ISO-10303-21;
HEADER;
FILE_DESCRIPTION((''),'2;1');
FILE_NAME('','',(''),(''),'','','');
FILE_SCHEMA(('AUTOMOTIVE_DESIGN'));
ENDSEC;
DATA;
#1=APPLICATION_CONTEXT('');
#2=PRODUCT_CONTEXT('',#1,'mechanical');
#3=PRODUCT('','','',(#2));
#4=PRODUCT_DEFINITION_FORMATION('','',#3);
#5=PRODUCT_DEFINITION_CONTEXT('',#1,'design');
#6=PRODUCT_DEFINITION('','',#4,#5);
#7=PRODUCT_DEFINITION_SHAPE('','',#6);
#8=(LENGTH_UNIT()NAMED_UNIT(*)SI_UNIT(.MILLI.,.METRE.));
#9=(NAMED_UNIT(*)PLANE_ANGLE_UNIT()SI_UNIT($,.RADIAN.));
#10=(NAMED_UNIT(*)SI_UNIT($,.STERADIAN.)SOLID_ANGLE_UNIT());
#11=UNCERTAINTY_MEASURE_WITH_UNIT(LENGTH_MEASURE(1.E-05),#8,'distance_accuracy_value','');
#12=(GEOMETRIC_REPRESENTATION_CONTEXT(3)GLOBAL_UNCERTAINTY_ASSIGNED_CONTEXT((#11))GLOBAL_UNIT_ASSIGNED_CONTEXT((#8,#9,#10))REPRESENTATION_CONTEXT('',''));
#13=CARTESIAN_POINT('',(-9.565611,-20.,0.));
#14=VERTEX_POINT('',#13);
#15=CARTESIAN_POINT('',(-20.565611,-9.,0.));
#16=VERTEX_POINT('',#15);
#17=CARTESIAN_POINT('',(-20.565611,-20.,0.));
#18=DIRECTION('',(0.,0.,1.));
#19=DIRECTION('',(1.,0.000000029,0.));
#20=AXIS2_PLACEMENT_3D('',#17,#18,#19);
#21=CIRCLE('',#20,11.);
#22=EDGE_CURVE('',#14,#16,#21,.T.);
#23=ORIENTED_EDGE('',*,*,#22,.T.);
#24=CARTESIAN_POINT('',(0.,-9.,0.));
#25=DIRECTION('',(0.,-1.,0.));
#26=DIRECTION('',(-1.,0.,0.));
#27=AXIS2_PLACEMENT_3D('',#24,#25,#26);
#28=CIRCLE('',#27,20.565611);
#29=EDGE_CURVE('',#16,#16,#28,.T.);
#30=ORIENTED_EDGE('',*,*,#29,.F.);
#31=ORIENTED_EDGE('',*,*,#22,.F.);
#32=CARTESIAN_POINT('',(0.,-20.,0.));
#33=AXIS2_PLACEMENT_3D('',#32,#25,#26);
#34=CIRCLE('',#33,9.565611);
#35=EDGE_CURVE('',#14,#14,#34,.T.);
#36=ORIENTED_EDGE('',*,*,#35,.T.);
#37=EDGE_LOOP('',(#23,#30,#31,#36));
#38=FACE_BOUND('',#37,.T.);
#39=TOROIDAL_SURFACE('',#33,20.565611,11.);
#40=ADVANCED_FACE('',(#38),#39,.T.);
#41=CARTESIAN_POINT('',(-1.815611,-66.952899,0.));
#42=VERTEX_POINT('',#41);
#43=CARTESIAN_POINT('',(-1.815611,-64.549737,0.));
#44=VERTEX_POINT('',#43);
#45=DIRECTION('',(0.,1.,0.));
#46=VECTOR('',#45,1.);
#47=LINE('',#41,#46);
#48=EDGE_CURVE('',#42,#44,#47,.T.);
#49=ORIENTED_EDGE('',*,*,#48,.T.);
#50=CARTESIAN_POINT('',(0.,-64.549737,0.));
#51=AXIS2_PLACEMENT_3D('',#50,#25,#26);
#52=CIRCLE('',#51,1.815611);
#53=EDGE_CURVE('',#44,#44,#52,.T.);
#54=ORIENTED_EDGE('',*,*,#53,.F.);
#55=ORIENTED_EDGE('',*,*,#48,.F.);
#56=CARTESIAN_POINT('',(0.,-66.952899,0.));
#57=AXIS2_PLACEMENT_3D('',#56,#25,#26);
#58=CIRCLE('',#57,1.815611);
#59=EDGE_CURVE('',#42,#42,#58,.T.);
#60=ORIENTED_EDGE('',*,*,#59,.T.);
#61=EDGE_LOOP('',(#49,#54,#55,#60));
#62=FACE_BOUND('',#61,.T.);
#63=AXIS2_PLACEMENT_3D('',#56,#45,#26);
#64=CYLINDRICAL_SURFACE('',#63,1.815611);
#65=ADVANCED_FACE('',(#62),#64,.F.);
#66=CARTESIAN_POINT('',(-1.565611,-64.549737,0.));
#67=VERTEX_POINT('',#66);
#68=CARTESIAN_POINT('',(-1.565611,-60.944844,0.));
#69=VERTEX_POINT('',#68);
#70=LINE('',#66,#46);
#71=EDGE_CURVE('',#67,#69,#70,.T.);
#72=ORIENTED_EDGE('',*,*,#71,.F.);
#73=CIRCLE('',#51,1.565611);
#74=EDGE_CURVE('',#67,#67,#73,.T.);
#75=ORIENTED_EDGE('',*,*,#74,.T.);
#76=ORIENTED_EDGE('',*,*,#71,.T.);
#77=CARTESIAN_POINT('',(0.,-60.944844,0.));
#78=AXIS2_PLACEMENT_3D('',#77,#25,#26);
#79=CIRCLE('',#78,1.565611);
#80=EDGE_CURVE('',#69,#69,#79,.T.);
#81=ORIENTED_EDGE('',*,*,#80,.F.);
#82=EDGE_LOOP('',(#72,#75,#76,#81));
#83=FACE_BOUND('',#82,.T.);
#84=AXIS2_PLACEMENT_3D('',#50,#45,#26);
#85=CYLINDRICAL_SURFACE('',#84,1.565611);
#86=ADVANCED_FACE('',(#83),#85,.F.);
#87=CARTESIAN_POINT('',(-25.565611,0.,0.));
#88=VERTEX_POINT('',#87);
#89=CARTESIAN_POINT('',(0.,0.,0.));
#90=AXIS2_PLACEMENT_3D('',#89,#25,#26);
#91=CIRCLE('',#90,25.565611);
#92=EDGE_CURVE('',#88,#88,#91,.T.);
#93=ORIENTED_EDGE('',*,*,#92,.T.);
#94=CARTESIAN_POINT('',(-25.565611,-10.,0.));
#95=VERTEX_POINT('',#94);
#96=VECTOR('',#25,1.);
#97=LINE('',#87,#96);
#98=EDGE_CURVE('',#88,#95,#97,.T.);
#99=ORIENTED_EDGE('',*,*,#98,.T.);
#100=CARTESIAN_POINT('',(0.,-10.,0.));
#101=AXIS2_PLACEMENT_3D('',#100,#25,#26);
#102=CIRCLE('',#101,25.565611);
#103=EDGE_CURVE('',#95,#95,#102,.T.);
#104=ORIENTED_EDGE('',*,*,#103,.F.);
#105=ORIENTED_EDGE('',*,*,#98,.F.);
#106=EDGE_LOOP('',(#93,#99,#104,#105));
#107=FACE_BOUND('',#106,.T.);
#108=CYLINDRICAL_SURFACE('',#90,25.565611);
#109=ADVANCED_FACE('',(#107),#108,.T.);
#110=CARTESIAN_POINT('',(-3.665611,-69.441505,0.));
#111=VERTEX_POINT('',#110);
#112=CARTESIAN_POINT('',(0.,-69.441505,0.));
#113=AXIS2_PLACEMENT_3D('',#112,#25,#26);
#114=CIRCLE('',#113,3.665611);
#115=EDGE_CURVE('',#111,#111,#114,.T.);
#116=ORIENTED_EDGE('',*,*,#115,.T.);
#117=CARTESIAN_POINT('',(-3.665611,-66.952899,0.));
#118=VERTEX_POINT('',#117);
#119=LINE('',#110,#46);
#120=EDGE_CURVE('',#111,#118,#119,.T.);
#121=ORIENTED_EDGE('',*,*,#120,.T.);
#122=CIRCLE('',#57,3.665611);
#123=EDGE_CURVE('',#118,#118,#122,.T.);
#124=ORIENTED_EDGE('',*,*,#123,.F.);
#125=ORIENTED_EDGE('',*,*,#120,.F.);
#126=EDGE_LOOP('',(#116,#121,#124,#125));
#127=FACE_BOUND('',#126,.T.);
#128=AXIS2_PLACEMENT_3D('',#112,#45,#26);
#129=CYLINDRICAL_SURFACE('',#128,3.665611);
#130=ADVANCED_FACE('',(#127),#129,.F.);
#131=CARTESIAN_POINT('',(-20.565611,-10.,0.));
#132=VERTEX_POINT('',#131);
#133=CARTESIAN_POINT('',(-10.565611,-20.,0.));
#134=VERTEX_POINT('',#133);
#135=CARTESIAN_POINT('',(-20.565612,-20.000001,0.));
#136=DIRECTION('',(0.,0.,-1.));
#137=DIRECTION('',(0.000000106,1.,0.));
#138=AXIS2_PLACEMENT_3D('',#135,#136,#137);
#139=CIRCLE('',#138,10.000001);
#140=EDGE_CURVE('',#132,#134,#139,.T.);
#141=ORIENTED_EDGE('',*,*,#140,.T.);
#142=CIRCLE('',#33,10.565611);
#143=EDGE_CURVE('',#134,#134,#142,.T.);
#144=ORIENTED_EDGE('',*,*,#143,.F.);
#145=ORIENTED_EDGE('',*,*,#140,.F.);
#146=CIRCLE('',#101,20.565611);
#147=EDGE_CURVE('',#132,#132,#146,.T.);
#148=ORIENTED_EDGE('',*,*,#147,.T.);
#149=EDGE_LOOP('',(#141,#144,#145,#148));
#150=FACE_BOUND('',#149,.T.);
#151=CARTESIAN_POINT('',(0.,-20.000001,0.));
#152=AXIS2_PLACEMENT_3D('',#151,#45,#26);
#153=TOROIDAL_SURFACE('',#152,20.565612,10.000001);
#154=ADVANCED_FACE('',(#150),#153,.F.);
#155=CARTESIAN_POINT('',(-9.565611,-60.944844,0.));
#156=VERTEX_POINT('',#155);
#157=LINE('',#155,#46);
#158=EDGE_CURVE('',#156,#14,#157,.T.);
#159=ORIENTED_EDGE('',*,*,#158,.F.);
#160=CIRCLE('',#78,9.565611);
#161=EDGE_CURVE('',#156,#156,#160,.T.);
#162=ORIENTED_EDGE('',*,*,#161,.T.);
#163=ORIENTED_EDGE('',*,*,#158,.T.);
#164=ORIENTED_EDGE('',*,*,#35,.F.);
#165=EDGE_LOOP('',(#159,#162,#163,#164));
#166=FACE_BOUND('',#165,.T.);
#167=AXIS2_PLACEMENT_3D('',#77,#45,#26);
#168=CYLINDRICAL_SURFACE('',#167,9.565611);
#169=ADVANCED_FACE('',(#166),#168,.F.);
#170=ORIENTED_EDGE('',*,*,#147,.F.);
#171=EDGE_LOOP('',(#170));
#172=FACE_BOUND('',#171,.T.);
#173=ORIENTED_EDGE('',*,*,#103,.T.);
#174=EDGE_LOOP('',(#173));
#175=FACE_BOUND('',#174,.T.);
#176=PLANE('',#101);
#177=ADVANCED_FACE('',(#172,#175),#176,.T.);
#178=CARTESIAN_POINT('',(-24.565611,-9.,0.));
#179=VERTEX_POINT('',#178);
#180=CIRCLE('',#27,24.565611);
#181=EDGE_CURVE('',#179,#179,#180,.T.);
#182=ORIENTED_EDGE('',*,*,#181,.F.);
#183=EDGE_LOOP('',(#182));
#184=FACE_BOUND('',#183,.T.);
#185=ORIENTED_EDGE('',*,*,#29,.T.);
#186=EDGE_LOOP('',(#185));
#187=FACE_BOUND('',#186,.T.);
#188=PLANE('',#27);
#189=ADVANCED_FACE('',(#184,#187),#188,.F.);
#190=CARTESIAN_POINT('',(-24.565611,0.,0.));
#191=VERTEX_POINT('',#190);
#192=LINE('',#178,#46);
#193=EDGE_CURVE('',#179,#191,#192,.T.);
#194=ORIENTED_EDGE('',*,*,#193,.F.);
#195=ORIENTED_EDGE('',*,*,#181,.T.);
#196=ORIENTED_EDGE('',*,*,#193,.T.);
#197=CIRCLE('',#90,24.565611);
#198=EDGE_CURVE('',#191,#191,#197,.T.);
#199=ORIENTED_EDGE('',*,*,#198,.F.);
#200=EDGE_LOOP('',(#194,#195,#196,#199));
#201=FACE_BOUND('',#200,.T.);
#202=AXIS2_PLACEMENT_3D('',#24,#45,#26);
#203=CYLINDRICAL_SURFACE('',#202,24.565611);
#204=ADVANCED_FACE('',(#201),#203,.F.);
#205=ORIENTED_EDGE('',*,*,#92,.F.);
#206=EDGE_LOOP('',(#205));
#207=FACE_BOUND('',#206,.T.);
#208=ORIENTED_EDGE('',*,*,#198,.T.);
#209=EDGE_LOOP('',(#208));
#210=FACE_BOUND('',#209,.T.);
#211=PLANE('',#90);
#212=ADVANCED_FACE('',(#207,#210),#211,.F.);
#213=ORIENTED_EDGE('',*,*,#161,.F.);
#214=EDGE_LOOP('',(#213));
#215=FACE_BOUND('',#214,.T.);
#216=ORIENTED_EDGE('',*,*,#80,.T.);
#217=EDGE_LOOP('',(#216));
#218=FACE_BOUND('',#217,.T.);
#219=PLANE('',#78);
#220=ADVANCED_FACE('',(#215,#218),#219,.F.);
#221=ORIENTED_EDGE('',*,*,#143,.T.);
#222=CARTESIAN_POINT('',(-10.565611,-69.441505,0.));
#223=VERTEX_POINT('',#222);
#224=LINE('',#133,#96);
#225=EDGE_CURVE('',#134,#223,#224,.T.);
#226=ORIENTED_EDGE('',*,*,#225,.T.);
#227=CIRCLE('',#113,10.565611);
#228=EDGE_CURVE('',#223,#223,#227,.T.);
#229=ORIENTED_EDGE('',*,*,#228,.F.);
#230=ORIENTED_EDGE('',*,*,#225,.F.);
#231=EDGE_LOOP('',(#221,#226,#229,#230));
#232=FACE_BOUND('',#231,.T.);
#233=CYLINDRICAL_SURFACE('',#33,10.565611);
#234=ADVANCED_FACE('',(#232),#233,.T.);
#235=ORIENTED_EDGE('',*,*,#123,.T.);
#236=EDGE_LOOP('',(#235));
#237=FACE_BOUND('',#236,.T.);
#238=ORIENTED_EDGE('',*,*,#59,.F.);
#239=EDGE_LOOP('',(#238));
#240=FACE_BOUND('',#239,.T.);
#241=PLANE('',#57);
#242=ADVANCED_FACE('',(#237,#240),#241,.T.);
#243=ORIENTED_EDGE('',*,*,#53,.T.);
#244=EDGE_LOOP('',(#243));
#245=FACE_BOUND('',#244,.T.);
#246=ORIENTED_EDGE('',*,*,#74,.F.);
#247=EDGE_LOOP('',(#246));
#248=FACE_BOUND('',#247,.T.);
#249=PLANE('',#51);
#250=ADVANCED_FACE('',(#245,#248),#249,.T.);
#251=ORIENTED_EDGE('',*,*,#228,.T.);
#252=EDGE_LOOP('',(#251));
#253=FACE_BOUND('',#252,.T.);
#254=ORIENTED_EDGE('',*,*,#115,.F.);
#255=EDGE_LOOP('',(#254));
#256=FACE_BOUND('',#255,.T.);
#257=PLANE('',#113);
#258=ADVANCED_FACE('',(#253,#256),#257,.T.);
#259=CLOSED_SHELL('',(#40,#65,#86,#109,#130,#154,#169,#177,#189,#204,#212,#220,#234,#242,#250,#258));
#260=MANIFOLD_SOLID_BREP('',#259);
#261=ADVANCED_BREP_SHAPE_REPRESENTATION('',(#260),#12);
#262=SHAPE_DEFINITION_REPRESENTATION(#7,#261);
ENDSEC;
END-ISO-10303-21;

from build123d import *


with BuildPart() as f1:
    # F0 (on Top) → F1 (revolve)
    with BuildSketch(Plane.XY):
        with BuildLine():
            Line((-24.565611, -9), (-24.565611, 0))
            Line((-24.565611, 0), (-25.565611, 0))
            Line((-25.565611, 0), (-25.565611, -10))
            Line((-25.565611, -10), (-20.565611, -10))
            ThreePointArc((-20.565611, -10), (-13.494544, -12.928932), (-10.565611, -20))
            Line((-10.565611, -20), (-10.565611, -69.441505))
            Line((-10.565611, -69.441505), (-3.665611, -69.441505))
            Line((-3.665611, -69.441505), (-3.665611, -66.952899))
            Line((-3.665611, -66.952899), (-1.815611, -66.952899))
            Line((-1.815611, -66.952899), (-1.815611, -64.549737))
            Line((-1.815611, -64.549737), (-1.565611, -64.549737))
            Line((-1.565611, -64.549737), (-1.565611, -60.944844))
            Line((-1.565611, -60.944844), (-9.565611, -60.944844))
            Line((-9.565611, -60.944844), (-9.565611, -20))
            ThreePointArc((-9.565611, -20), (-12.787437, -12.221825), (-20.565611, -9))
            Line((-20.565611, -9), (-24.565611, -9))
        make_face()
    revolve(axis=Axis((0, -3.341071, 0), (0, -1, 0)))


solid = f1.part
